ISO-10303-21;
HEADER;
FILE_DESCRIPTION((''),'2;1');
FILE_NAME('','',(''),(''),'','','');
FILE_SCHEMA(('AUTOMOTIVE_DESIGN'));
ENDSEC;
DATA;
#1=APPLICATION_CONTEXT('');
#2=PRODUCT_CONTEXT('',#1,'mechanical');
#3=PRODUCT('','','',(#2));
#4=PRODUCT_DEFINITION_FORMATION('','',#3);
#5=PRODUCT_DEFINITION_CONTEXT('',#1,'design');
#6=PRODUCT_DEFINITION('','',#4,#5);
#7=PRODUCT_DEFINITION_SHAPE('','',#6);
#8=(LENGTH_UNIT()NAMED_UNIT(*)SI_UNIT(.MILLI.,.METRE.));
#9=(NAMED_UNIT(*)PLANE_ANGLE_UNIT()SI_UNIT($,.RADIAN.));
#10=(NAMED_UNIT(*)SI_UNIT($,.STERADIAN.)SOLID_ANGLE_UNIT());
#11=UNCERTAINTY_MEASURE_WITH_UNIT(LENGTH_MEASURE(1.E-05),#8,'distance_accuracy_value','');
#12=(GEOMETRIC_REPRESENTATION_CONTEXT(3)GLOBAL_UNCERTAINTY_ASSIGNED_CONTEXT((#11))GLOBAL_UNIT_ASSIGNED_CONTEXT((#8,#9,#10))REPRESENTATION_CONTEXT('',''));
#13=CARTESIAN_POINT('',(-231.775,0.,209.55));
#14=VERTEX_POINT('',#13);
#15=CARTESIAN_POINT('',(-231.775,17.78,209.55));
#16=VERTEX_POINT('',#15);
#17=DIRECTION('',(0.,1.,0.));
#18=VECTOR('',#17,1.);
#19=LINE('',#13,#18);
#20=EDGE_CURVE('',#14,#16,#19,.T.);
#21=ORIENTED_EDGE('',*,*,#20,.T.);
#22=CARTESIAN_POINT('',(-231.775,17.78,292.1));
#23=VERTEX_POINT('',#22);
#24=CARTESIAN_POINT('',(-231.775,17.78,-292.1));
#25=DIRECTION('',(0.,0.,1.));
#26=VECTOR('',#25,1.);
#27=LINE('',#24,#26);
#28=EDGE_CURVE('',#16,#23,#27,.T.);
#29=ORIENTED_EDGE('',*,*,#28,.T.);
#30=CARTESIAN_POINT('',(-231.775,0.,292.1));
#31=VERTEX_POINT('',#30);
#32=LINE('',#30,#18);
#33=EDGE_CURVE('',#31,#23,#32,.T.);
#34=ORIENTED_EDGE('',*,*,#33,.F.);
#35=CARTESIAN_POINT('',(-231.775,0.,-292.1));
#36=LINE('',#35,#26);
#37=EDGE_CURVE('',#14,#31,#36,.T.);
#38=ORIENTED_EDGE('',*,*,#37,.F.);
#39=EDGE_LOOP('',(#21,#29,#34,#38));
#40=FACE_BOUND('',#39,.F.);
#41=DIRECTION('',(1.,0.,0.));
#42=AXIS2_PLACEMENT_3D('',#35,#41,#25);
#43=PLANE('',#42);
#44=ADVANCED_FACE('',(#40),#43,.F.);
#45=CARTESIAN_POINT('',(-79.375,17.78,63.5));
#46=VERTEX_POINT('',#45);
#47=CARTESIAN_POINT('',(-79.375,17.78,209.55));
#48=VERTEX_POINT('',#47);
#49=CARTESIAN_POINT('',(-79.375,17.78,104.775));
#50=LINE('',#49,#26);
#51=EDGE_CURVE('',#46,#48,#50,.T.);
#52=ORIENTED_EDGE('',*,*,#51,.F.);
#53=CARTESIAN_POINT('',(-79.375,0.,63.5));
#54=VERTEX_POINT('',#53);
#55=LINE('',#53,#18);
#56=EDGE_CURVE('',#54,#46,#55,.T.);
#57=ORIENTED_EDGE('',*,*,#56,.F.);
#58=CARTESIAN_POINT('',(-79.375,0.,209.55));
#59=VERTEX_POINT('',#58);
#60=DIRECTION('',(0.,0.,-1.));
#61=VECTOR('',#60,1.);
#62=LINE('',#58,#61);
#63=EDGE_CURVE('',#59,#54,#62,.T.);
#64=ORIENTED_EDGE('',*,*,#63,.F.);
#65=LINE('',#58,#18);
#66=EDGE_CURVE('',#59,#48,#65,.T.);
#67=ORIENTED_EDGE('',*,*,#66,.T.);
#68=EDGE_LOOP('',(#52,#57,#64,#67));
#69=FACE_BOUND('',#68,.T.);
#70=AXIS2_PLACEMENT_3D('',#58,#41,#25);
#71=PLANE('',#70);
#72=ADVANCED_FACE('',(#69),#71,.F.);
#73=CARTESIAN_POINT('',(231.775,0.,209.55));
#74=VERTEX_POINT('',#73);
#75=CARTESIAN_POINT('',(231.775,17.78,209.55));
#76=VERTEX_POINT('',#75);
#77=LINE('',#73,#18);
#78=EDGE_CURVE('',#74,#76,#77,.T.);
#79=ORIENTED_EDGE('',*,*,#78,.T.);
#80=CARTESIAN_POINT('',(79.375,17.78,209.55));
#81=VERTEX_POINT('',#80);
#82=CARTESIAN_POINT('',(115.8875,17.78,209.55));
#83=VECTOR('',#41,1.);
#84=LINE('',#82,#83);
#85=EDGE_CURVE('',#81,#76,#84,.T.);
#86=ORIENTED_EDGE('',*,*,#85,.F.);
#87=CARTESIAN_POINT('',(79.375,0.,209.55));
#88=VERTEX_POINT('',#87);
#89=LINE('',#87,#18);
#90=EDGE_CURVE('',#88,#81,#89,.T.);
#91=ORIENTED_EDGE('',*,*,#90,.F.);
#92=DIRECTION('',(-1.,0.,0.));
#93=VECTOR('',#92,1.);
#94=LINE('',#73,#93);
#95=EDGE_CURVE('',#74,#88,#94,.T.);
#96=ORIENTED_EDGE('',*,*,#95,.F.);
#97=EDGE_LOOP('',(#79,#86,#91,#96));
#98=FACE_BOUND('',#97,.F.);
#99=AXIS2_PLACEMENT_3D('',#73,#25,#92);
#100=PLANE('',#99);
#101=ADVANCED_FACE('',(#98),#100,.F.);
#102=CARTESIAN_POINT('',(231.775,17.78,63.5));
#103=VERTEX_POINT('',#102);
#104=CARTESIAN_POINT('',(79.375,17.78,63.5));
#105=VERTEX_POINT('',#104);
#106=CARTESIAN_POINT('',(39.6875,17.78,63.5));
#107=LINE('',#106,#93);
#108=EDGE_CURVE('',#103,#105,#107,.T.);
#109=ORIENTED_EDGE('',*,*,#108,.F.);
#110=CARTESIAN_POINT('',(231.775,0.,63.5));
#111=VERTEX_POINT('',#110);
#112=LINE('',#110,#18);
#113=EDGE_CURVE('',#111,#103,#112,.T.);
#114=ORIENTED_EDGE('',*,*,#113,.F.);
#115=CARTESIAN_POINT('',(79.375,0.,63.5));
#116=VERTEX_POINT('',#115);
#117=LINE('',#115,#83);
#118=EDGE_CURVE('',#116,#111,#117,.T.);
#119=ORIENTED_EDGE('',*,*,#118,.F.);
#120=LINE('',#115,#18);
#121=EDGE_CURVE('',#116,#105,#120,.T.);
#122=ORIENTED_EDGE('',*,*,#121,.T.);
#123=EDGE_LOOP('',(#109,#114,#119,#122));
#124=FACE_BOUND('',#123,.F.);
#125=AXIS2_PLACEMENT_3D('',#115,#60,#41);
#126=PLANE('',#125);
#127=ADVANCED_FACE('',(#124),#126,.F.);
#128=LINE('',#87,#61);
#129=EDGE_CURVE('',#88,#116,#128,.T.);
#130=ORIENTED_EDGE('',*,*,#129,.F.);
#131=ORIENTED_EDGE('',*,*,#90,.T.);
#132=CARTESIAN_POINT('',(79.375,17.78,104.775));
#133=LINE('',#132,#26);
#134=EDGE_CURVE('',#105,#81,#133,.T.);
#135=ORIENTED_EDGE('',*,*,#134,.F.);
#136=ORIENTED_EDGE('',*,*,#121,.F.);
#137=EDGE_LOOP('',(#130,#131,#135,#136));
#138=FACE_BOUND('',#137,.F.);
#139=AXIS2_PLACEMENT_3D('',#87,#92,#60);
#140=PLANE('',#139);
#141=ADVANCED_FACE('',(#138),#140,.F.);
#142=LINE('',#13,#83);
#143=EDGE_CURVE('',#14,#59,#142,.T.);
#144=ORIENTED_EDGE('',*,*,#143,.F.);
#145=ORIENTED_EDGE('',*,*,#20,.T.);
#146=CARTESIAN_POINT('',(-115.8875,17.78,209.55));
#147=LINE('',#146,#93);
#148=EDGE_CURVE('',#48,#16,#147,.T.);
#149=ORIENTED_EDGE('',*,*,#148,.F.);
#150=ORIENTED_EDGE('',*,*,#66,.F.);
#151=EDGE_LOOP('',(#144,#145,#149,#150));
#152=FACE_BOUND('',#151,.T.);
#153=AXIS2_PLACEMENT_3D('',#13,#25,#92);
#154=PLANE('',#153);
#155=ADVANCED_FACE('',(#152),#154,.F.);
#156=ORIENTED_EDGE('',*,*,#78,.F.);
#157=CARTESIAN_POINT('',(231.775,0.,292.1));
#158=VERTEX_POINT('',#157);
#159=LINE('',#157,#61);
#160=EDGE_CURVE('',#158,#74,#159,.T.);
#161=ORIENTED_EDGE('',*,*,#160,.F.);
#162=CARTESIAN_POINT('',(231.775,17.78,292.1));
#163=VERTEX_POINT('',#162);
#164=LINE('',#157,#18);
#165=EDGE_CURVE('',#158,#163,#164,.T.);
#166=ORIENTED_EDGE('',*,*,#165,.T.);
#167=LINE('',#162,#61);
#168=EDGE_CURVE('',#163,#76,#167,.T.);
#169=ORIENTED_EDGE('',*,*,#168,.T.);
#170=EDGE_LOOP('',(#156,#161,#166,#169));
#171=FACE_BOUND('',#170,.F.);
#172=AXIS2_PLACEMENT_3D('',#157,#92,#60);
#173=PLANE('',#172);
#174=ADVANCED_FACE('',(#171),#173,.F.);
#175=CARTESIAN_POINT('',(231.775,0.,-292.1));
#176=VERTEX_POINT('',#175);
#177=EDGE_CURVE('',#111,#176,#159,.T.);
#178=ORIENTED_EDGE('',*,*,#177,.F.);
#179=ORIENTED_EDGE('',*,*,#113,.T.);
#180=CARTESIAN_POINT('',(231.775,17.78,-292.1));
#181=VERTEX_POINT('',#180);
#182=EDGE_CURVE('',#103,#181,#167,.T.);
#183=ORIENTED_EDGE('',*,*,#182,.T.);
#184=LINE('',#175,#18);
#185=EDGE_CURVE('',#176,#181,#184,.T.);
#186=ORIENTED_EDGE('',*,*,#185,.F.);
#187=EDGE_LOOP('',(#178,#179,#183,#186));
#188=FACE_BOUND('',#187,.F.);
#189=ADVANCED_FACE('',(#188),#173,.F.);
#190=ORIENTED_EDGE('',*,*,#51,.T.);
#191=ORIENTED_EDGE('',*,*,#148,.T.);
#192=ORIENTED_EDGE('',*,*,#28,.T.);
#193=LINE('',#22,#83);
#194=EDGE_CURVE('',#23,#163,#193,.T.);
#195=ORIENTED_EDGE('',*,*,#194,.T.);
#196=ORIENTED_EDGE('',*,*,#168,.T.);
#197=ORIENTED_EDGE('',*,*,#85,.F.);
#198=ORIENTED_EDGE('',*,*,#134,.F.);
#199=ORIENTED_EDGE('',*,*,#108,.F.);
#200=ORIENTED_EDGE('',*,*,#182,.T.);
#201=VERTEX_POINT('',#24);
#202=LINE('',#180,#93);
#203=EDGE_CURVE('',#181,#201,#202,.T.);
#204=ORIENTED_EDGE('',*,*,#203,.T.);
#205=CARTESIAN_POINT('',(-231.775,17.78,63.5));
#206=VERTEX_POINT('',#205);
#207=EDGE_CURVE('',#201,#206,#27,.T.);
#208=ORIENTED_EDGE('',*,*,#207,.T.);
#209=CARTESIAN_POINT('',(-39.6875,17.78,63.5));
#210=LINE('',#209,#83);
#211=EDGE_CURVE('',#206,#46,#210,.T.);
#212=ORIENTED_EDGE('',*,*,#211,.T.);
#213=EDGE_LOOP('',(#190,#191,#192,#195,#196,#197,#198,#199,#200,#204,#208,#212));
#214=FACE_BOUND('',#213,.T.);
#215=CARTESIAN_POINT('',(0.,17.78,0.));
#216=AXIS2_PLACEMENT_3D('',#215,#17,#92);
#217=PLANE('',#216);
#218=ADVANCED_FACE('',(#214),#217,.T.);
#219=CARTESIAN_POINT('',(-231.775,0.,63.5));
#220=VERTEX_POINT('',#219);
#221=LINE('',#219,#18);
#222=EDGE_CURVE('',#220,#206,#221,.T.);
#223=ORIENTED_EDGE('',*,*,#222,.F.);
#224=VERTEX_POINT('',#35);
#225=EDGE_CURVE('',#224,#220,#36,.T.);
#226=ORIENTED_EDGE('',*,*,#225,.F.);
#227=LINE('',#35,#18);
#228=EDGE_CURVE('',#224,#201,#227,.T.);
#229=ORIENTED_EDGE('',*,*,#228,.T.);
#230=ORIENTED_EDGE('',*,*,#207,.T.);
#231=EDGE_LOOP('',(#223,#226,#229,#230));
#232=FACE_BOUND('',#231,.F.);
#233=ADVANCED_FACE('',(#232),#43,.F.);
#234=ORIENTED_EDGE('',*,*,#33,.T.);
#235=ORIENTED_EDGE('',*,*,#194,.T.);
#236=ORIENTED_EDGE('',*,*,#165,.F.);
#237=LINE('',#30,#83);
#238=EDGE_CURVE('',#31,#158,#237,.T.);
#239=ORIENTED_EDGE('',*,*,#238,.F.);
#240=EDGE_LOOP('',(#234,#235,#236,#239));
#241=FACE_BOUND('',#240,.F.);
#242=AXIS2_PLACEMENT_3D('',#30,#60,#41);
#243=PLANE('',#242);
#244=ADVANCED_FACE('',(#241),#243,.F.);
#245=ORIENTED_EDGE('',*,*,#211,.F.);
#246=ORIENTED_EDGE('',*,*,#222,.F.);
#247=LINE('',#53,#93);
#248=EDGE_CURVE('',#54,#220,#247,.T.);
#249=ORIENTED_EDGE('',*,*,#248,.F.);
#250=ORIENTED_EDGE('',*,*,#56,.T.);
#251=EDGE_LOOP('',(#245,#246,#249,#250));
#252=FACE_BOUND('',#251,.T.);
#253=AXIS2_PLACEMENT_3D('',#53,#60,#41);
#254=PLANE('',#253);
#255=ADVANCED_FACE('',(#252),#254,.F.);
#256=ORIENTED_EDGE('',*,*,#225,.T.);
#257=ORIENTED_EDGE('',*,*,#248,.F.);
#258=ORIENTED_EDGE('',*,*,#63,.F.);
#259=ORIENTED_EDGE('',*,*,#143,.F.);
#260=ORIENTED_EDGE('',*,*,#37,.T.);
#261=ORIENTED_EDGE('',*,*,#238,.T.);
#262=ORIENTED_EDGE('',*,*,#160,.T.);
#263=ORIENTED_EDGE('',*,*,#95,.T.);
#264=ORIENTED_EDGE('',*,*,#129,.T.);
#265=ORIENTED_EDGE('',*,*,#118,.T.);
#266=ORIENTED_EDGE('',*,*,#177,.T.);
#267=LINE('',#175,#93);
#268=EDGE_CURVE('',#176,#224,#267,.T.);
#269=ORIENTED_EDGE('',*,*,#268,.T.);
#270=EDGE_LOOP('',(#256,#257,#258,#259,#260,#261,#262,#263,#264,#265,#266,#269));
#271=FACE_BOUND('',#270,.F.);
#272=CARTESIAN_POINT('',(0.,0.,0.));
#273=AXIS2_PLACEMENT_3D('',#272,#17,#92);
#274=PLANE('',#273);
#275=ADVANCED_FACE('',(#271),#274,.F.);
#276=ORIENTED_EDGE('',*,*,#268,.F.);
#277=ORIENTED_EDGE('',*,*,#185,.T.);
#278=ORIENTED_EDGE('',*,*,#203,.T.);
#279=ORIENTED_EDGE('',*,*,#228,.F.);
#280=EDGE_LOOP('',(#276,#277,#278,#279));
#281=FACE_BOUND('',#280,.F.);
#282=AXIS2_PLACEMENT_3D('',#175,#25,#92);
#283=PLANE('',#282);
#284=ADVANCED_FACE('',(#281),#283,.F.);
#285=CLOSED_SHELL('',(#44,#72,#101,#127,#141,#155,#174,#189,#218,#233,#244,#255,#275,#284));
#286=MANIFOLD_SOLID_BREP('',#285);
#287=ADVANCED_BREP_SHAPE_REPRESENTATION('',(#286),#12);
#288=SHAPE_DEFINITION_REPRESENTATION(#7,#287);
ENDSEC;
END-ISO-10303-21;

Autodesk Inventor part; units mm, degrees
ref_plane "XZ Plane" through (0, 0, 0) normal (0, 1, 0) x (-1, 0, 0)
ref_plane "XY Plane" through (0, 0, 0) normal (0, 0, 1) x (1, 0, 0)
sketch "Sketch1" plane through (0, 0, 0) normal (0, 1, 0) x (-1, 0, 0)
  line L0 (-231.775, 292.1) -> (-231.775, -292.1)
  line L1 (-231.775, -292.1) -> (231.775, -292.1)
  line L2 (231.775, -292.1) -> (231.775, 292.1)
  line L3 (231.775, 292.1) -> (-231.775, 292.1)
  line L4 (-231.775, 292.1) -> (231.775, -292.1) construction
  line L5 (-231.775, -292.1) -> (231.775, 292.1) construction
  point P0 (0, 0)
  dimension "baseLength" = 584.2
  dimension "baseWidth" = 463.55
extrude "Extrusion1" add sketch "Sketch1" along normal blind 17.78
sketch "Sketch2" plane through (0, 0, 0) normal (0, -1, 0) x (1, 0, 0)
  line L0 (231.775, 292.1) -> (231.775, -292.1) projected
  line L1 (231.775, 209.55) -> (79.375, 209.55)
  line L2 (79.375, 209.55) -> (79.375, 63.5)
  line L3 (79.375, 63.5) -> (231.775, 63.5)
  line L4 (231.775, 63.5) -> (231.775, 209.55)
  line L5 (-231.775, 292.1) -> (231.775, 292.1) projected
  point P0 (0, 0)
  dimension "backToEndOfGearBox" = 82.55
  dimension "backToFrontOfGearBox" = 228.6
  dimension "wdithForGearBox" = 152.4
extrude "Extrusion2" cut sketch "Sketch2" against normal through all
mirror "Mirror1" about plane through (0, 0, 0) normal (1, 0, 0) of "Extrusion2"
equation "\"spaceingAlongSides\" = 3.175"
equation "\"distanceFromBackForEndBolt\" = 38.1"
equation "\"spacingForBolt\" = 25.4"
equation "\"widthOfSpacingForBolt\" = 12.7"
equation "\"lengthOfSpacingForBolt\" = 25.4"
properties part number "RhinoBottomFloorPlate02" material "Wood (Birch)"
